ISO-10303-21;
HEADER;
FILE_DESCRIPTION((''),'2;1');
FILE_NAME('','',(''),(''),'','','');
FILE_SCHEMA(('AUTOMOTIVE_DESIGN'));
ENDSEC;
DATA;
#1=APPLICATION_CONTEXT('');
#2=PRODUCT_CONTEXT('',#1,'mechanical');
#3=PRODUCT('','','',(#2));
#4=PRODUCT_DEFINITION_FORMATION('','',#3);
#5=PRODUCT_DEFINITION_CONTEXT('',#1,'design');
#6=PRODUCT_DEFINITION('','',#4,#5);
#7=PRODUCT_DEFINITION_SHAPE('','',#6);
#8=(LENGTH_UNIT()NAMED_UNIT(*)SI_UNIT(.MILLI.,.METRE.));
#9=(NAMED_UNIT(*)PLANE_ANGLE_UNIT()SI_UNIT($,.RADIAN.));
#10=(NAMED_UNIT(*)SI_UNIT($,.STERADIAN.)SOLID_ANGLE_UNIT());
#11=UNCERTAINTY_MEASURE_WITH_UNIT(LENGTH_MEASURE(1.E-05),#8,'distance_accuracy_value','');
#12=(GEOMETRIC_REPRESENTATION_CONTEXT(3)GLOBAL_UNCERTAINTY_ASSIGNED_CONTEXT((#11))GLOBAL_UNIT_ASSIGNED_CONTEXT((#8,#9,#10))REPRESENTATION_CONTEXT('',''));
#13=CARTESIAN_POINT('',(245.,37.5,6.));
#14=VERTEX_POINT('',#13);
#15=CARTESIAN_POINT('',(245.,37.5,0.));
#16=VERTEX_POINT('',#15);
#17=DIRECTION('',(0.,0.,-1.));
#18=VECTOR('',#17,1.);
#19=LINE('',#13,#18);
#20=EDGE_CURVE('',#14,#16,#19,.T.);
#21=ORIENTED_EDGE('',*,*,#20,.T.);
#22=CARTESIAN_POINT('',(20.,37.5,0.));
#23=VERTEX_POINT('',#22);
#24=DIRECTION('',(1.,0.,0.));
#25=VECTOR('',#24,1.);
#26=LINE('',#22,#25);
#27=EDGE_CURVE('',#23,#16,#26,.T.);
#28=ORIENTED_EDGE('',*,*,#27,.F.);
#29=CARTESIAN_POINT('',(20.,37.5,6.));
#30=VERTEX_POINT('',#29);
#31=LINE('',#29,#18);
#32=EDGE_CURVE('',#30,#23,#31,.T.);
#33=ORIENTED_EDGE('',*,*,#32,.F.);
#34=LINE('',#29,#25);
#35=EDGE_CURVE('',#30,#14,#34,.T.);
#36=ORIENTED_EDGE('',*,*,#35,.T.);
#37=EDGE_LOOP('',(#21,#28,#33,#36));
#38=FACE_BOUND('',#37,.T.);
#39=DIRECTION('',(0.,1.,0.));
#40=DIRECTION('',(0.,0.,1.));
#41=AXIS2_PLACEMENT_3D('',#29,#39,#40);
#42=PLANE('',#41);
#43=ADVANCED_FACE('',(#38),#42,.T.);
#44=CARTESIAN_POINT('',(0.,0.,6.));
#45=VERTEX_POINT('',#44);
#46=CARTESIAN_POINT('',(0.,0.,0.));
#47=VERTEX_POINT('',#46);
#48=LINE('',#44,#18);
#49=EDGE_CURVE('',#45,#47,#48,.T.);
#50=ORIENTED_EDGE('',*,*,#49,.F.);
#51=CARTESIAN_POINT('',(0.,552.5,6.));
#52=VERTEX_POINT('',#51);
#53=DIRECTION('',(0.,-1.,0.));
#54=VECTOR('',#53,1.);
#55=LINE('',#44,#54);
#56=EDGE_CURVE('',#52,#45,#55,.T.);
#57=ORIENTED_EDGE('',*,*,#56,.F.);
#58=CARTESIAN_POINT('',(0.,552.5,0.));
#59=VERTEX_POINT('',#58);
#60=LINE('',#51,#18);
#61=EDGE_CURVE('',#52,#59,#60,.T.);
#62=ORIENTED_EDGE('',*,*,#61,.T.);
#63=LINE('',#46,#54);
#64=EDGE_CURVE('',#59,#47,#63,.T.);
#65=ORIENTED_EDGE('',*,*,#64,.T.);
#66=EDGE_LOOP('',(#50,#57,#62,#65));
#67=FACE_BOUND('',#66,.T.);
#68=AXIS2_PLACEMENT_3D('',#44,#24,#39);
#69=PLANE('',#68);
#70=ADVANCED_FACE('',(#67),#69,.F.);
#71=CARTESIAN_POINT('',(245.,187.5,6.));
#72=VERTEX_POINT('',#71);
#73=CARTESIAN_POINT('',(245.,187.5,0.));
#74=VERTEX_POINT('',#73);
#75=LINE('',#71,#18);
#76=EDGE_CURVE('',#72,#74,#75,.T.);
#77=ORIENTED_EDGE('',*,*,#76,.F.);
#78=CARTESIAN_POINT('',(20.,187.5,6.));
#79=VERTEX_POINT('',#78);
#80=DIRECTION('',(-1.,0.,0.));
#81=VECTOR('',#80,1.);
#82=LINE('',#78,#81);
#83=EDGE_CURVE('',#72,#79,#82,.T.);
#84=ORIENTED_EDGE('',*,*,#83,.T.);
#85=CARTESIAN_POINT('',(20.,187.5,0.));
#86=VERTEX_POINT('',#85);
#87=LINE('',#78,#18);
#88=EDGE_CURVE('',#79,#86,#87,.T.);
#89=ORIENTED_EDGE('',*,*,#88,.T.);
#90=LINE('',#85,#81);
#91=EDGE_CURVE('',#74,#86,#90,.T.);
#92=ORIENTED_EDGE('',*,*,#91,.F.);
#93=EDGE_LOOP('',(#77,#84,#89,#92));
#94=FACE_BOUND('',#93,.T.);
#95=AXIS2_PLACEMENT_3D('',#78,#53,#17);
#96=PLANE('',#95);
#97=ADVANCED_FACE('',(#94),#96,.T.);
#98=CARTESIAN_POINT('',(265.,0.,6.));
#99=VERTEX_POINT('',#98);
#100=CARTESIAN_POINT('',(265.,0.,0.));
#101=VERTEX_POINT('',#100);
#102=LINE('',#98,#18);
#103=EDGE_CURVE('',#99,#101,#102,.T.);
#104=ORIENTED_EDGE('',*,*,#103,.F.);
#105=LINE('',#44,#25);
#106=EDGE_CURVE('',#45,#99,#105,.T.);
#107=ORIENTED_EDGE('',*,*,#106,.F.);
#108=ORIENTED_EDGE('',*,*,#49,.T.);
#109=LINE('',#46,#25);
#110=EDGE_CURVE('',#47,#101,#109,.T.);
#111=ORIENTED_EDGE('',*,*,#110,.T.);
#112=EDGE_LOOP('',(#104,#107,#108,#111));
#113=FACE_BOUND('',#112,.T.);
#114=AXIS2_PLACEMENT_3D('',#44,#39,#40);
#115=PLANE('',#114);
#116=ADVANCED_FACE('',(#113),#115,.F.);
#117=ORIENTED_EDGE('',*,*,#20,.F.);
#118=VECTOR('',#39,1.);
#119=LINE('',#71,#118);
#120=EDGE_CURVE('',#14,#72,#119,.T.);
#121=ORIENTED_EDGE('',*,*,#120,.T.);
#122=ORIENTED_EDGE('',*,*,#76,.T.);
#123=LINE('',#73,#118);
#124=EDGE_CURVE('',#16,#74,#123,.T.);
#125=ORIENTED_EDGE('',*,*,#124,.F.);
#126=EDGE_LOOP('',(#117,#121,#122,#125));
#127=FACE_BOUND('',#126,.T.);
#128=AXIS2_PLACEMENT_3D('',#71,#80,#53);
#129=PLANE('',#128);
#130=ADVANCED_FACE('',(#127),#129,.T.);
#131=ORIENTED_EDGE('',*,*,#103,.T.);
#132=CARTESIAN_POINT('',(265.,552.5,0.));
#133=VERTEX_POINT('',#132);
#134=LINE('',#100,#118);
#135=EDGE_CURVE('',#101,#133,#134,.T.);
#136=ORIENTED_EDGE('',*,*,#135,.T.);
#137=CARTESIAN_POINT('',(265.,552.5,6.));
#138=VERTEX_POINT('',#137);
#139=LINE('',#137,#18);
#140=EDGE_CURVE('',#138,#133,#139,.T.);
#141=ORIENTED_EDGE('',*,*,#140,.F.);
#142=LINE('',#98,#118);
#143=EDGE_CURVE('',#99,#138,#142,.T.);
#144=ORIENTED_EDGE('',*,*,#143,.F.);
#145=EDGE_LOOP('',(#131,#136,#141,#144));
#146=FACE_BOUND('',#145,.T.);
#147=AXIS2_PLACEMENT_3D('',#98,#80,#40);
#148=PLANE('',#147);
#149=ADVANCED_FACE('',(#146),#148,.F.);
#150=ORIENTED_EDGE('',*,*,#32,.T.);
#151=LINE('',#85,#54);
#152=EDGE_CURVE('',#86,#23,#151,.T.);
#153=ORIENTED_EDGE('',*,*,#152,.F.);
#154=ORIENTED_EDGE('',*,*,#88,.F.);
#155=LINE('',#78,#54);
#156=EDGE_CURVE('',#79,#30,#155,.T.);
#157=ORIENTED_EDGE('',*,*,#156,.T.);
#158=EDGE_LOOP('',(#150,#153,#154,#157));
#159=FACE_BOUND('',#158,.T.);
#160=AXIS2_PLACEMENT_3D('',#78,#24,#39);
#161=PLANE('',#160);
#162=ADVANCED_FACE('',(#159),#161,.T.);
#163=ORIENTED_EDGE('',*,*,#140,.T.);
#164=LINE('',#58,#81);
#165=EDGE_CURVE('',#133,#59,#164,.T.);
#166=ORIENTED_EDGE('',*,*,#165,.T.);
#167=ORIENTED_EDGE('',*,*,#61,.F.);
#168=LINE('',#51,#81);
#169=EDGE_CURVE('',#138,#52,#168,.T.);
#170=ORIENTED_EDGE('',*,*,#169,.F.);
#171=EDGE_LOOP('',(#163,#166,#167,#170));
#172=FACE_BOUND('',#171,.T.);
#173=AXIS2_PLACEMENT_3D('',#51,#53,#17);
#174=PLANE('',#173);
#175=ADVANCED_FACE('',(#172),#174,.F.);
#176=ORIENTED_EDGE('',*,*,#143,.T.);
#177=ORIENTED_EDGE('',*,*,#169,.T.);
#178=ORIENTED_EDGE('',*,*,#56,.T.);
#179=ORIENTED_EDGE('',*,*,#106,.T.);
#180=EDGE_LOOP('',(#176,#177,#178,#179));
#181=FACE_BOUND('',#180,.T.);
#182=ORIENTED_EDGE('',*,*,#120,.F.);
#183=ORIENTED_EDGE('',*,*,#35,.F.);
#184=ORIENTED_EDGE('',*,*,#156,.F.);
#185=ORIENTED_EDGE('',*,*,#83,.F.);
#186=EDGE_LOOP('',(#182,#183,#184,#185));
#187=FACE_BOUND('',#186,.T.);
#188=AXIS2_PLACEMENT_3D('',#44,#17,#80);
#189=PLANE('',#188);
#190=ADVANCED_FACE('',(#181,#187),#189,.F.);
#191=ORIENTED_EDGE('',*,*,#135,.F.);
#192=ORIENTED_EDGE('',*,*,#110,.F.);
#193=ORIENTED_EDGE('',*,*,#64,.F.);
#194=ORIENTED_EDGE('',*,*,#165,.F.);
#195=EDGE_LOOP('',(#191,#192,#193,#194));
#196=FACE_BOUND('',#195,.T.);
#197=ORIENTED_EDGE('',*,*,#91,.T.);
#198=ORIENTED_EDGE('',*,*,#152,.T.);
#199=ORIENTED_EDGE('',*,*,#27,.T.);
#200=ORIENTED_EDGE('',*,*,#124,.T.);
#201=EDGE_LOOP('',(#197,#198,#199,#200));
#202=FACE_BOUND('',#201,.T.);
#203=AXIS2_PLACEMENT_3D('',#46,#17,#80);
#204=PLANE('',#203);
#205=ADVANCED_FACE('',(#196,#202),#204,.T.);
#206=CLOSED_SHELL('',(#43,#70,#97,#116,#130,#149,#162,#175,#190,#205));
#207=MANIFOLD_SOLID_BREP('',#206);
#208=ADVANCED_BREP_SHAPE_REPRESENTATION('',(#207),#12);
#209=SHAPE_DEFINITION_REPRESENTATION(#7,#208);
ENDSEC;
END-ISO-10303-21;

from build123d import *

# Parameters (mm, degrees)
ESBO_O1_W                = 265
ESBO_O1_H                = 552.5
ESBO_O1_W_2              = 225
ESBO_O1_H_2              = 150
RESSALTO_EXTRUS_O1_DEPTH = 6


with BuildPart() as part:
    # Esboço1 → Ressalto-extrusão1 (new body)
    with BuildSketch(Plane.XY):
        with Locations((132.5, 276.25)):
            Rectangle(ESBO_O1_W, ESBO_O1_H)
        with Locations((132.5, 112.5)):
            Rectangle(ESBO_O1_W_2, ESBO_O1_H_2, mode=Mode.SUBTRACT)
    extrude(amount=RESSALTO_EXTRUS_O1_DEPTH)


solid = part.part
